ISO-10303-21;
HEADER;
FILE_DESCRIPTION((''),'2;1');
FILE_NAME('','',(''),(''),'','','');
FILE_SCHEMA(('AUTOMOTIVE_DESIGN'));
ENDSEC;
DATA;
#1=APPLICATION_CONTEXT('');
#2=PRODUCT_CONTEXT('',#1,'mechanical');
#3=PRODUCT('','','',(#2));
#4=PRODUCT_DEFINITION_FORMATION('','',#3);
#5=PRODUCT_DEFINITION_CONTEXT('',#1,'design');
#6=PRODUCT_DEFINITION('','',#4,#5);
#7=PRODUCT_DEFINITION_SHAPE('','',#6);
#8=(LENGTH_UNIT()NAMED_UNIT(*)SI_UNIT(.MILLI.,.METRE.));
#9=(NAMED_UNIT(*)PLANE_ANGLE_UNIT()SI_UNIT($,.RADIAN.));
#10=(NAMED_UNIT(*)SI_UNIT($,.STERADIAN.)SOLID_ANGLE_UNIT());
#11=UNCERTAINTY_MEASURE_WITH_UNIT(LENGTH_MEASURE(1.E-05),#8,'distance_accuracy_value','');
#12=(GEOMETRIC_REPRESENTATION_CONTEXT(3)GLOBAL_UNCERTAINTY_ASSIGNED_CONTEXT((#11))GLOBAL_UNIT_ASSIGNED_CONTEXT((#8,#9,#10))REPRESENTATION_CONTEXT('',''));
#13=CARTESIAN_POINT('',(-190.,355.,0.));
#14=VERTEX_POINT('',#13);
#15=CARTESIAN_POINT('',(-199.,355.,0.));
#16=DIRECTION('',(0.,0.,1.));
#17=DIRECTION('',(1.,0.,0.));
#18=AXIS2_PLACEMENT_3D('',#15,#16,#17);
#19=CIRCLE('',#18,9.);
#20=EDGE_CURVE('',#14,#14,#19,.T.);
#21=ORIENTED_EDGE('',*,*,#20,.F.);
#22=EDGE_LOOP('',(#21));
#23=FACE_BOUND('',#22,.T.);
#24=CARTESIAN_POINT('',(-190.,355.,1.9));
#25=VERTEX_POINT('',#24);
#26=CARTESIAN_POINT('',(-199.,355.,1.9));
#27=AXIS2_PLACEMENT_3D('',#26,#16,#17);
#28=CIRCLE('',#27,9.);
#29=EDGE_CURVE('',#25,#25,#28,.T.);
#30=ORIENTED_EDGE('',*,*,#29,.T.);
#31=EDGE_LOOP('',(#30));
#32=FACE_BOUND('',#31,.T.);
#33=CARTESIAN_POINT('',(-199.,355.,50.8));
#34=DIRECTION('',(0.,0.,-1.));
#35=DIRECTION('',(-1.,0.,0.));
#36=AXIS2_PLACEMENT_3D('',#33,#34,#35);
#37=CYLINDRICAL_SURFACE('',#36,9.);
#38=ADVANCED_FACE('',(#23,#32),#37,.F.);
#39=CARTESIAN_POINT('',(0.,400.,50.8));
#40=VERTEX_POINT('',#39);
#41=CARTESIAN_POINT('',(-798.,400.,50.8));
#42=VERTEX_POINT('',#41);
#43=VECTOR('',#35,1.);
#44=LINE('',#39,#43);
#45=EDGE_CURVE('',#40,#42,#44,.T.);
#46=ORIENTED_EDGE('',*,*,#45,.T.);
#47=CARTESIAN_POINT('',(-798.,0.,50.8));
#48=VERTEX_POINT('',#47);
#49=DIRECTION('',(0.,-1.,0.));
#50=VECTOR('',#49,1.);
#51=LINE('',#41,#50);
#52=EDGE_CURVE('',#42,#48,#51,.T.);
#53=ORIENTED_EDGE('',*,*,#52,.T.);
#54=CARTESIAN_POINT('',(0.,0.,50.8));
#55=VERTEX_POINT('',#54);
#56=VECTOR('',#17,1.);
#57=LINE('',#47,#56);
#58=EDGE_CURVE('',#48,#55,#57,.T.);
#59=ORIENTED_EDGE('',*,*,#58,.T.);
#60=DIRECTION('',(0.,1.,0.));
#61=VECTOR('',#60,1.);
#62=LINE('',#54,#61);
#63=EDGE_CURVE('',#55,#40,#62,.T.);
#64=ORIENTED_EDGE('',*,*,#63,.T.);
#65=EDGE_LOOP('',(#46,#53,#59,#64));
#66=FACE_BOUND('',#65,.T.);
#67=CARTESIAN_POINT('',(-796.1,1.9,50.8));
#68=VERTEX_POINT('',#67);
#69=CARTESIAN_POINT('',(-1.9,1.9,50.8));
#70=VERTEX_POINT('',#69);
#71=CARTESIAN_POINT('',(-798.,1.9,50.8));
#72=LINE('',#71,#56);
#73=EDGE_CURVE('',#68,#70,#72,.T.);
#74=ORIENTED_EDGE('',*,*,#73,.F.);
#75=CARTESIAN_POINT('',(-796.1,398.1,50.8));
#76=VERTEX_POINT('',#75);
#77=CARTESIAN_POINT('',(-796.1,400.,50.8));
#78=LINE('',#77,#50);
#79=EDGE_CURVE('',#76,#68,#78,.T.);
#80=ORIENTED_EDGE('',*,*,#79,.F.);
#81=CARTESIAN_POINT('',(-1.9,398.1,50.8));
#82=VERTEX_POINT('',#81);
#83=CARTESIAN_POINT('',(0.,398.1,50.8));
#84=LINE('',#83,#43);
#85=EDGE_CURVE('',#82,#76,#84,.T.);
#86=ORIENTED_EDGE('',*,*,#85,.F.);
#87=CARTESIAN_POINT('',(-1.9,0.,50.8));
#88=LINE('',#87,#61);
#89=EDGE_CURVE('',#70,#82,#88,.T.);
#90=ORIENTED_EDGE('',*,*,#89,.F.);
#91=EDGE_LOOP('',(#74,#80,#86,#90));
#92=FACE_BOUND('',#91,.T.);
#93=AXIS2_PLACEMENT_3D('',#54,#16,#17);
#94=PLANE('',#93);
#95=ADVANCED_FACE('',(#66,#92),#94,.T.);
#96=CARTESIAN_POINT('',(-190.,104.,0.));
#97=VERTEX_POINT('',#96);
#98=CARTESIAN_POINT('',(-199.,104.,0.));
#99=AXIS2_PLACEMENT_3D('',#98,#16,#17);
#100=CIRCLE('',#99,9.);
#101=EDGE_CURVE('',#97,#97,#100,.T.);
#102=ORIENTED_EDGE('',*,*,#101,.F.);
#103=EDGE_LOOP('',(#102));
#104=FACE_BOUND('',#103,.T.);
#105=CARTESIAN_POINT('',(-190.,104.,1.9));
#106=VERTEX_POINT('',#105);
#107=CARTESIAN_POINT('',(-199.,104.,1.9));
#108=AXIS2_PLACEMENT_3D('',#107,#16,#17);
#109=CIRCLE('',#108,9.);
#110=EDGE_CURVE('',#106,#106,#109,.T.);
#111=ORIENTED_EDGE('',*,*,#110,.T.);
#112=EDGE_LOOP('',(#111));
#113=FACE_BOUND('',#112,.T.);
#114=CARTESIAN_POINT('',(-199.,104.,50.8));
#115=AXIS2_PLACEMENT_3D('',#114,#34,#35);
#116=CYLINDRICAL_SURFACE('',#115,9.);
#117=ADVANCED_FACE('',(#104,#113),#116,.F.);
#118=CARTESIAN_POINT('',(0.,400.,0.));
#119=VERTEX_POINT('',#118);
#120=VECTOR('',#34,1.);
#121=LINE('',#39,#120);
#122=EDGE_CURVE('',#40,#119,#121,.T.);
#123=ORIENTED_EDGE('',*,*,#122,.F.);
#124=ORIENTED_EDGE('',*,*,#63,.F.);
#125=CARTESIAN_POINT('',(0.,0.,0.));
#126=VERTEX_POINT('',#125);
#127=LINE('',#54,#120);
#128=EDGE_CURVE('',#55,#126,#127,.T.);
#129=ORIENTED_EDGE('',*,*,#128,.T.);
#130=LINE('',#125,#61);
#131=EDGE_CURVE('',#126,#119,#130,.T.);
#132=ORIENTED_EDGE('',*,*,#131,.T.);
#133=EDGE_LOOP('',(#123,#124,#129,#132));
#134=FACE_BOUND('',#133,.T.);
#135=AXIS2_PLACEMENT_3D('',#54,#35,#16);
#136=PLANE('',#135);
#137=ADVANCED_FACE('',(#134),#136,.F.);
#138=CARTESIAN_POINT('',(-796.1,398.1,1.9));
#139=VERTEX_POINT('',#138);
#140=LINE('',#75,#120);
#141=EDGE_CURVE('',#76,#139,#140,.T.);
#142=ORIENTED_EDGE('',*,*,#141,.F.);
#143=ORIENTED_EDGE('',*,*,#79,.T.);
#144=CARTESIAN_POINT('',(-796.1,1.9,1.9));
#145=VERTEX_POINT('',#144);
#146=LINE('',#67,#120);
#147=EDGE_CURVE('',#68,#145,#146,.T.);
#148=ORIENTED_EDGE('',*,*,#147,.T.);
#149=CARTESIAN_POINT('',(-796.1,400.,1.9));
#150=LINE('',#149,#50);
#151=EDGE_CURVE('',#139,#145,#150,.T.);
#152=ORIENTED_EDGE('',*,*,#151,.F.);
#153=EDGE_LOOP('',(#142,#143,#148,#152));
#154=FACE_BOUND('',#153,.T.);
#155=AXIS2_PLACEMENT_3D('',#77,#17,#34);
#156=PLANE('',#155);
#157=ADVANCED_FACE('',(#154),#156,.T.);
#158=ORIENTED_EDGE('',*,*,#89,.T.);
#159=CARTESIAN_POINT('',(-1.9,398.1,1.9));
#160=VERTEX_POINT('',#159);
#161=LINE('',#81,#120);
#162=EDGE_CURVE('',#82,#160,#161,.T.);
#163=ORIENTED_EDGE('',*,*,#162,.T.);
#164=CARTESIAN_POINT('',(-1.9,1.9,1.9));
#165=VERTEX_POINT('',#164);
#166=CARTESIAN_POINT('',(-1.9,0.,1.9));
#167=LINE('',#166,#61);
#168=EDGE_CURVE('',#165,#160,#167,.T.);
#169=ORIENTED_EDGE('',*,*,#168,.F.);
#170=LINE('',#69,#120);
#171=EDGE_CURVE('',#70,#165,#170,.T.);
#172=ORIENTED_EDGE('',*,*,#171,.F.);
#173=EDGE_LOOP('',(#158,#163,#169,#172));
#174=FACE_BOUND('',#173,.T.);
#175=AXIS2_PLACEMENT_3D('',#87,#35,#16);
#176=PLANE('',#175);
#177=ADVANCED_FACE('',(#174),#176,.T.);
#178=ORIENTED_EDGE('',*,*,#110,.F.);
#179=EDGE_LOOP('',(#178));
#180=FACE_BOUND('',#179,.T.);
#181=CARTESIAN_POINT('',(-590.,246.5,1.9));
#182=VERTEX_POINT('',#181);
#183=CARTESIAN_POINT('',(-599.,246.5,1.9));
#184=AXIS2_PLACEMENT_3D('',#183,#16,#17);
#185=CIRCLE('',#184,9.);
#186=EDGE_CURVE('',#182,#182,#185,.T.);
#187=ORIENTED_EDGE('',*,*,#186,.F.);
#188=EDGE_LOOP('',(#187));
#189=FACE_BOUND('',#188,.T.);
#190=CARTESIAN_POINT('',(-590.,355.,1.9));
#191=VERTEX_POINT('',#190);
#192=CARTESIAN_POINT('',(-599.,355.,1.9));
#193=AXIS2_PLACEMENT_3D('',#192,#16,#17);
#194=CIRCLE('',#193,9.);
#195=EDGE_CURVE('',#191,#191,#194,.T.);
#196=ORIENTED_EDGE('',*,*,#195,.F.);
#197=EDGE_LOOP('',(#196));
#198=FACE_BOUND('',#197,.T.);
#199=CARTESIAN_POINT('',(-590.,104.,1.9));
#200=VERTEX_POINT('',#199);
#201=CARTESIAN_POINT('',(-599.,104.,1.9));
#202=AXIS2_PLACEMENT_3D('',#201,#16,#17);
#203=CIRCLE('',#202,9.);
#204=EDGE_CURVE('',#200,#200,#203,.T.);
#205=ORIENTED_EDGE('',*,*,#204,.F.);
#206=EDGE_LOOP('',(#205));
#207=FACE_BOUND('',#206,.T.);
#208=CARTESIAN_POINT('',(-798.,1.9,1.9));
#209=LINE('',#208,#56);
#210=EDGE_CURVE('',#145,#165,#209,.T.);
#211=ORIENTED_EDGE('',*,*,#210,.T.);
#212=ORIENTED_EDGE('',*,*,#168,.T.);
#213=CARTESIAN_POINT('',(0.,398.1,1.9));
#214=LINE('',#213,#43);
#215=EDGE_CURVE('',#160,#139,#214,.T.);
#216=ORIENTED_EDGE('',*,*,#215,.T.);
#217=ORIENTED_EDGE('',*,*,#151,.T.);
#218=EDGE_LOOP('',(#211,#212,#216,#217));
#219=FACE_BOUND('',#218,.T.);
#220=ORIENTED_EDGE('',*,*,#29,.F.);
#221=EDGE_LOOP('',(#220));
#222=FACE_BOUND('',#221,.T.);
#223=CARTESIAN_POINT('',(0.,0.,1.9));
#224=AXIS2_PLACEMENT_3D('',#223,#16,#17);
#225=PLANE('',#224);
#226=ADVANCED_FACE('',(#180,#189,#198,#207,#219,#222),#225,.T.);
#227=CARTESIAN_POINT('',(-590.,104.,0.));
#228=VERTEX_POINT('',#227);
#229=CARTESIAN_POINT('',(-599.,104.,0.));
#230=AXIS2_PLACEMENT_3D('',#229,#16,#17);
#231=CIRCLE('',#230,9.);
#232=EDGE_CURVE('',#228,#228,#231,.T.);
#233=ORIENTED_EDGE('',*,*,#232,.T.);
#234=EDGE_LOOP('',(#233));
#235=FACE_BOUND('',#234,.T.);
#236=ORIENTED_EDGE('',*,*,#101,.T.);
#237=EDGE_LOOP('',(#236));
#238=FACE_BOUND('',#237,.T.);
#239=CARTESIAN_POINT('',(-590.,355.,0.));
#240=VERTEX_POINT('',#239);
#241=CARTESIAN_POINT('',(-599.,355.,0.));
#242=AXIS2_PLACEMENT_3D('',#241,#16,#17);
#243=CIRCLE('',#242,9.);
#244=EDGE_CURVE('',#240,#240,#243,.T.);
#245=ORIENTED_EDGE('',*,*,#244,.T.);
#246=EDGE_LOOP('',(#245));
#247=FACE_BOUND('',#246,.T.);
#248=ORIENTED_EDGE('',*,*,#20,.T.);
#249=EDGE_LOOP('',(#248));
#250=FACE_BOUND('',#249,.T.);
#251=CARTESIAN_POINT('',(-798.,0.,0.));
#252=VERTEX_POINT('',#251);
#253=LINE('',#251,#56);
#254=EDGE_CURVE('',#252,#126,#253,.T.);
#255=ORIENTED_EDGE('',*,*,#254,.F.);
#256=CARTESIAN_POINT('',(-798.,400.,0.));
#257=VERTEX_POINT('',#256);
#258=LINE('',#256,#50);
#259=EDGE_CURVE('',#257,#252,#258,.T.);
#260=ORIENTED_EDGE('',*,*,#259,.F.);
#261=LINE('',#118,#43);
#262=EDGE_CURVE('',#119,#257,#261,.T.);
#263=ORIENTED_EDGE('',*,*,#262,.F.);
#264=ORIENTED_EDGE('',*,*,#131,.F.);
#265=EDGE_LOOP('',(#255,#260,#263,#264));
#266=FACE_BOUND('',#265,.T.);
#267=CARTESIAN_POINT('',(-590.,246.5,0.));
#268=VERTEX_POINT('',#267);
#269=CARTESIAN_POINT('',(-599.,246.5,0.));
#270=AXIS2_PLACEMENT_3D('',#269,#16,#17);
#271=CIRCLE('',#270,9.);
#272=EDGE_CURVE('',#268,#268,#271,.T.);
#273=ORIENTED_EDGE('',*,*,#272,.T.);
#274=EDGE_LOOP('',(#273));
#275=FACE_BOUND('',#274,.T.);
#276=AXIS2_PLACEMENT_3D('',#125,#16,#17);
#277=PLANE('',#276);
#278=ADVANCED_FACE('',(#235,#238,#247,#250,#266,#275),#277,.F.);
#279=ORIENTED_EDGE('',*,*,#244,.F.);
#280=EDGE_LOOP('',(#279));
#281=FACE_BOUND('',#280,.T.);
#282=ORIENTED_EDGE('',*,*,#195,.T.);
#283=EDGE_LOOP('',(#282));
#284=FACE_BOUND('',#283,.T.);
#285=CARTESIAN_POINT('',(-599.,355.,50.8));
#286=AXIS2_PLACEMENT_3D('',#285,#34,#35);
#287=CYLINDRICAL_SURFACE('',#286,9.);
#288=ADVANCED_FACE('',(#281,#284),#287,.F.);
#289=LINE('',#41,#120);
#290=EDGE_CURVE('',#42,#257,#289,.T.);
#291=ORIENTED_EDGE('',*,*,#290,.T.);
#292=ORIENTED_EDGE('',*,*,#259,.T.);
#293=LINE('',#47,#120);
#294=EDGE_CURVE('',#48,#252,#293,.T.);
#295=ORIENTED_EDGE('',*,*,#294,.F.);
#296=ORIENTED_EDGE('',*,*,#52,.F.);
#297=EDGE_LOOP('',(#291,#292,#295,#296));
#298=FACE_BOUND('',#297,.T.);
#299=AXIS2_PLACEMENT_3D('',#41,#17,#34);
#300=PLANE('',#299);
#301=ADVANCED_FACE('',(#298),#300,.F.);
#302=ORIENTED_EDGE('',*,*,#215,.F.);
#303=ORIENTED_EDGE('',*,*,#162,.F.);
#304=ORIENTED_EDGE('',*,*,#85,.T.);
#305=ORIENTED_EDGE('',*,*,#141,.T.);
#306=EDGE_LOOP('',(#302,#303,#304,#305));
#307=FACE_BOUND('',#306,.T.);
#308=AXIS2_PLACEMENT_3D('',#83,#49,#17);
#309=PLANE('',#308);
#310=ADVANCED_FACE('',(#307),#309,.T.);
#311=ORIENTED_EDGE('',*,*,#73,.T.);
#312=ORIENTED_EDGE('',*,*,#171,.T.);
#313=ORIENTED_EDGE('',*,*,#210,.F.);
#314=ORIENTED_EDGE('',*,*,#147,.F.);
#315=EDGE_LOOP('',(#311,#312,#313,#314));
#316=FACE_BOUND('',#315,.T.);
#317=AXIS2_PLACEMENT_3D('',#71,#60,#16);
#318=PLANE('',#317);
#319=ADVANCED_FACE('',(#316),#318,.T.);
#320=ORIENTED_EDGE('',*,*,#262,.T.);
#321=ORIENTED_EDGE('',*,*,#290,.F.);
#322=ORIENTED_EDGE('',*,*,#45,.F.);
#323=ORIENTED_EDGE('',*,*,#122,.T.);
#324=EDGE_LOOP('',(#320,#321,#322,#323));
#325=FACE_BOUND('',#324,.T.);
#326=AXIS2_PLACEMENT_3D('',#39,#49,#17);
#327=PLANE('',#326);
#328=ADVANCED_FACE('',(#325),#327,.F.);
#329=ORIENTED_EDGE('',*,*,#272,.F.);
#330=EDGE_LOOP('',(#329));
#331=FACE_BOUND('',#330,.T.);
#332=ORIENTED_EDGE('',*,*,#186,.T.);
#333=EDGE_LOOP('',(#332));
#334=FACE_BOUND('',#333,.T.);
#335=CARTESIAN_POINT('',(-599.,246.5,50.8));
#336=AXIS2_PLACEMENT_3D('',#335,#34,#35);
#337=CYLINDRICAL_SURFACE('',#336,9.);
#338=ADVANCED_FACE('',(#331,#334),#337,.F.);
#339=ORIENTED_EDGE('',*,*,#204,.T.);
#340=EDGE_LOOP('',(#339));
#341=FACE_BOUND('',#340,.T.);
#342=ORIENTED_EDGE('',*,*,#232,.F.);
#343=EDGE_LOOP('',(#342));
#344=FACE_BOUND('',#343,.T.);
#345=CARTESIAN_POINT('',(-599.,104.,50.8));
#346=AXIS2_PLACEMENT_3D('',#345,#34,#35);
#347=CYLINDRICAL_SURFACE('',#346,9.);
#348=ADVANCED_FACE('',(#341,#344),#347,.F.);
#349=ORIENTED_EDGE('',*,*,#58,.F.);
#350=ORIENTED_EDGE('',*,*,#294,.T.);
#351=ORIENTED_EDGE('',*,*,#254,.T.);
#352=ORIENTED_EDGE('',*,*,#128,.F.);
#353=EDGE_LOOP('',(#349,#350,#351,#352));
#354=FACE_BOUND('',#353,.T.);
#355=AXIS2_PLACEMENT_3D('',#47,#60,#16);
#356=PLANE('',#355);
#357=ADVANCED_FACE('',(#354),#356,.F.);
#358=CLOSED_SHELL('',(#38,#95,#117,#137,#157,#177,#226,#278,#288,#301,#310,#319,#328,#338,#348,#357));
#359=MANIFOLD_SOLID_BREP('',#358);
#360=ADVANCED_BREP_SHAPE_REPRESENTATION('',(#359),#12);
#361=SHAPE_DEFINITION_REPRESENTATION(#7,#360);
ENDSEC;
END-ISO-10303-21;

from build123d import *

# Parameters (mm, degrees)
CROQUIS1_W              = 798
CROQUIS1_H              = 400
CROQUIS1_R              = 9
SALIENTE_EXTRUIR1_DEPTH = 50.8
VACIADO1_T              = -1.9
CROQUIS2_W              = 794.2
CROQUIS2_H              = 396.2
CORTAR_EXTRUIR1_DEPTH   = 48.9


with BuildPart() as part:
    # Croquis1 → Saliente-Extruir1 (new body)
    with BuildSketch(Plane.XY):
        with Locations((-399, 200)):
            Rectangle(CROQUIS1_W, CROQUIS1_H)
        with Locations((-599, 355)):
            Circle(CROQUIS1_R, mode=Mode.SUBTRACT)
        with Locations((-599, 246.5)):
            Circle(CROQUIS1_R, mode=Mode.SUBTRACT)
        with Locations((-599, 104)):
            Circle(CROQUIS1_R, mode=Mode.SUBTRACT)
        with Locations((-199, 104)):
            Circle(CROQUIS1_R, mode=Mode.SUBTRACT)
        with Locations((-199, 355)):
            Circle(CROQUIS1_R, mode=Mode.SUBTRACT)
    extrude(amount=SALIENTE_EXTRUIR1_DEPTH)

    # Vaciado1
    vaciado1_openings = [part.faces().sort_by_distance(p)[0] for p in [
        (-398.839920182, 199.86833435, 50.8),
    ]]
    offset(amount=VACIADO1_T, openings=vaciado1_openings, kind=Kind.INTERSECTION)

    # Croquis2 → Cortar-Extruir1 (cut)
    with BuildSketch(Plane.XY.offset(50.8)):
        with Locations((-399, 200)):
            Rectangle(CROQUIS2_W, CROQUIS2_H)
    extrude(amount=-CORTAR_EXTRUIR1_DEPTH, mode=Mode.SUBTRACT)


solid = part.part
